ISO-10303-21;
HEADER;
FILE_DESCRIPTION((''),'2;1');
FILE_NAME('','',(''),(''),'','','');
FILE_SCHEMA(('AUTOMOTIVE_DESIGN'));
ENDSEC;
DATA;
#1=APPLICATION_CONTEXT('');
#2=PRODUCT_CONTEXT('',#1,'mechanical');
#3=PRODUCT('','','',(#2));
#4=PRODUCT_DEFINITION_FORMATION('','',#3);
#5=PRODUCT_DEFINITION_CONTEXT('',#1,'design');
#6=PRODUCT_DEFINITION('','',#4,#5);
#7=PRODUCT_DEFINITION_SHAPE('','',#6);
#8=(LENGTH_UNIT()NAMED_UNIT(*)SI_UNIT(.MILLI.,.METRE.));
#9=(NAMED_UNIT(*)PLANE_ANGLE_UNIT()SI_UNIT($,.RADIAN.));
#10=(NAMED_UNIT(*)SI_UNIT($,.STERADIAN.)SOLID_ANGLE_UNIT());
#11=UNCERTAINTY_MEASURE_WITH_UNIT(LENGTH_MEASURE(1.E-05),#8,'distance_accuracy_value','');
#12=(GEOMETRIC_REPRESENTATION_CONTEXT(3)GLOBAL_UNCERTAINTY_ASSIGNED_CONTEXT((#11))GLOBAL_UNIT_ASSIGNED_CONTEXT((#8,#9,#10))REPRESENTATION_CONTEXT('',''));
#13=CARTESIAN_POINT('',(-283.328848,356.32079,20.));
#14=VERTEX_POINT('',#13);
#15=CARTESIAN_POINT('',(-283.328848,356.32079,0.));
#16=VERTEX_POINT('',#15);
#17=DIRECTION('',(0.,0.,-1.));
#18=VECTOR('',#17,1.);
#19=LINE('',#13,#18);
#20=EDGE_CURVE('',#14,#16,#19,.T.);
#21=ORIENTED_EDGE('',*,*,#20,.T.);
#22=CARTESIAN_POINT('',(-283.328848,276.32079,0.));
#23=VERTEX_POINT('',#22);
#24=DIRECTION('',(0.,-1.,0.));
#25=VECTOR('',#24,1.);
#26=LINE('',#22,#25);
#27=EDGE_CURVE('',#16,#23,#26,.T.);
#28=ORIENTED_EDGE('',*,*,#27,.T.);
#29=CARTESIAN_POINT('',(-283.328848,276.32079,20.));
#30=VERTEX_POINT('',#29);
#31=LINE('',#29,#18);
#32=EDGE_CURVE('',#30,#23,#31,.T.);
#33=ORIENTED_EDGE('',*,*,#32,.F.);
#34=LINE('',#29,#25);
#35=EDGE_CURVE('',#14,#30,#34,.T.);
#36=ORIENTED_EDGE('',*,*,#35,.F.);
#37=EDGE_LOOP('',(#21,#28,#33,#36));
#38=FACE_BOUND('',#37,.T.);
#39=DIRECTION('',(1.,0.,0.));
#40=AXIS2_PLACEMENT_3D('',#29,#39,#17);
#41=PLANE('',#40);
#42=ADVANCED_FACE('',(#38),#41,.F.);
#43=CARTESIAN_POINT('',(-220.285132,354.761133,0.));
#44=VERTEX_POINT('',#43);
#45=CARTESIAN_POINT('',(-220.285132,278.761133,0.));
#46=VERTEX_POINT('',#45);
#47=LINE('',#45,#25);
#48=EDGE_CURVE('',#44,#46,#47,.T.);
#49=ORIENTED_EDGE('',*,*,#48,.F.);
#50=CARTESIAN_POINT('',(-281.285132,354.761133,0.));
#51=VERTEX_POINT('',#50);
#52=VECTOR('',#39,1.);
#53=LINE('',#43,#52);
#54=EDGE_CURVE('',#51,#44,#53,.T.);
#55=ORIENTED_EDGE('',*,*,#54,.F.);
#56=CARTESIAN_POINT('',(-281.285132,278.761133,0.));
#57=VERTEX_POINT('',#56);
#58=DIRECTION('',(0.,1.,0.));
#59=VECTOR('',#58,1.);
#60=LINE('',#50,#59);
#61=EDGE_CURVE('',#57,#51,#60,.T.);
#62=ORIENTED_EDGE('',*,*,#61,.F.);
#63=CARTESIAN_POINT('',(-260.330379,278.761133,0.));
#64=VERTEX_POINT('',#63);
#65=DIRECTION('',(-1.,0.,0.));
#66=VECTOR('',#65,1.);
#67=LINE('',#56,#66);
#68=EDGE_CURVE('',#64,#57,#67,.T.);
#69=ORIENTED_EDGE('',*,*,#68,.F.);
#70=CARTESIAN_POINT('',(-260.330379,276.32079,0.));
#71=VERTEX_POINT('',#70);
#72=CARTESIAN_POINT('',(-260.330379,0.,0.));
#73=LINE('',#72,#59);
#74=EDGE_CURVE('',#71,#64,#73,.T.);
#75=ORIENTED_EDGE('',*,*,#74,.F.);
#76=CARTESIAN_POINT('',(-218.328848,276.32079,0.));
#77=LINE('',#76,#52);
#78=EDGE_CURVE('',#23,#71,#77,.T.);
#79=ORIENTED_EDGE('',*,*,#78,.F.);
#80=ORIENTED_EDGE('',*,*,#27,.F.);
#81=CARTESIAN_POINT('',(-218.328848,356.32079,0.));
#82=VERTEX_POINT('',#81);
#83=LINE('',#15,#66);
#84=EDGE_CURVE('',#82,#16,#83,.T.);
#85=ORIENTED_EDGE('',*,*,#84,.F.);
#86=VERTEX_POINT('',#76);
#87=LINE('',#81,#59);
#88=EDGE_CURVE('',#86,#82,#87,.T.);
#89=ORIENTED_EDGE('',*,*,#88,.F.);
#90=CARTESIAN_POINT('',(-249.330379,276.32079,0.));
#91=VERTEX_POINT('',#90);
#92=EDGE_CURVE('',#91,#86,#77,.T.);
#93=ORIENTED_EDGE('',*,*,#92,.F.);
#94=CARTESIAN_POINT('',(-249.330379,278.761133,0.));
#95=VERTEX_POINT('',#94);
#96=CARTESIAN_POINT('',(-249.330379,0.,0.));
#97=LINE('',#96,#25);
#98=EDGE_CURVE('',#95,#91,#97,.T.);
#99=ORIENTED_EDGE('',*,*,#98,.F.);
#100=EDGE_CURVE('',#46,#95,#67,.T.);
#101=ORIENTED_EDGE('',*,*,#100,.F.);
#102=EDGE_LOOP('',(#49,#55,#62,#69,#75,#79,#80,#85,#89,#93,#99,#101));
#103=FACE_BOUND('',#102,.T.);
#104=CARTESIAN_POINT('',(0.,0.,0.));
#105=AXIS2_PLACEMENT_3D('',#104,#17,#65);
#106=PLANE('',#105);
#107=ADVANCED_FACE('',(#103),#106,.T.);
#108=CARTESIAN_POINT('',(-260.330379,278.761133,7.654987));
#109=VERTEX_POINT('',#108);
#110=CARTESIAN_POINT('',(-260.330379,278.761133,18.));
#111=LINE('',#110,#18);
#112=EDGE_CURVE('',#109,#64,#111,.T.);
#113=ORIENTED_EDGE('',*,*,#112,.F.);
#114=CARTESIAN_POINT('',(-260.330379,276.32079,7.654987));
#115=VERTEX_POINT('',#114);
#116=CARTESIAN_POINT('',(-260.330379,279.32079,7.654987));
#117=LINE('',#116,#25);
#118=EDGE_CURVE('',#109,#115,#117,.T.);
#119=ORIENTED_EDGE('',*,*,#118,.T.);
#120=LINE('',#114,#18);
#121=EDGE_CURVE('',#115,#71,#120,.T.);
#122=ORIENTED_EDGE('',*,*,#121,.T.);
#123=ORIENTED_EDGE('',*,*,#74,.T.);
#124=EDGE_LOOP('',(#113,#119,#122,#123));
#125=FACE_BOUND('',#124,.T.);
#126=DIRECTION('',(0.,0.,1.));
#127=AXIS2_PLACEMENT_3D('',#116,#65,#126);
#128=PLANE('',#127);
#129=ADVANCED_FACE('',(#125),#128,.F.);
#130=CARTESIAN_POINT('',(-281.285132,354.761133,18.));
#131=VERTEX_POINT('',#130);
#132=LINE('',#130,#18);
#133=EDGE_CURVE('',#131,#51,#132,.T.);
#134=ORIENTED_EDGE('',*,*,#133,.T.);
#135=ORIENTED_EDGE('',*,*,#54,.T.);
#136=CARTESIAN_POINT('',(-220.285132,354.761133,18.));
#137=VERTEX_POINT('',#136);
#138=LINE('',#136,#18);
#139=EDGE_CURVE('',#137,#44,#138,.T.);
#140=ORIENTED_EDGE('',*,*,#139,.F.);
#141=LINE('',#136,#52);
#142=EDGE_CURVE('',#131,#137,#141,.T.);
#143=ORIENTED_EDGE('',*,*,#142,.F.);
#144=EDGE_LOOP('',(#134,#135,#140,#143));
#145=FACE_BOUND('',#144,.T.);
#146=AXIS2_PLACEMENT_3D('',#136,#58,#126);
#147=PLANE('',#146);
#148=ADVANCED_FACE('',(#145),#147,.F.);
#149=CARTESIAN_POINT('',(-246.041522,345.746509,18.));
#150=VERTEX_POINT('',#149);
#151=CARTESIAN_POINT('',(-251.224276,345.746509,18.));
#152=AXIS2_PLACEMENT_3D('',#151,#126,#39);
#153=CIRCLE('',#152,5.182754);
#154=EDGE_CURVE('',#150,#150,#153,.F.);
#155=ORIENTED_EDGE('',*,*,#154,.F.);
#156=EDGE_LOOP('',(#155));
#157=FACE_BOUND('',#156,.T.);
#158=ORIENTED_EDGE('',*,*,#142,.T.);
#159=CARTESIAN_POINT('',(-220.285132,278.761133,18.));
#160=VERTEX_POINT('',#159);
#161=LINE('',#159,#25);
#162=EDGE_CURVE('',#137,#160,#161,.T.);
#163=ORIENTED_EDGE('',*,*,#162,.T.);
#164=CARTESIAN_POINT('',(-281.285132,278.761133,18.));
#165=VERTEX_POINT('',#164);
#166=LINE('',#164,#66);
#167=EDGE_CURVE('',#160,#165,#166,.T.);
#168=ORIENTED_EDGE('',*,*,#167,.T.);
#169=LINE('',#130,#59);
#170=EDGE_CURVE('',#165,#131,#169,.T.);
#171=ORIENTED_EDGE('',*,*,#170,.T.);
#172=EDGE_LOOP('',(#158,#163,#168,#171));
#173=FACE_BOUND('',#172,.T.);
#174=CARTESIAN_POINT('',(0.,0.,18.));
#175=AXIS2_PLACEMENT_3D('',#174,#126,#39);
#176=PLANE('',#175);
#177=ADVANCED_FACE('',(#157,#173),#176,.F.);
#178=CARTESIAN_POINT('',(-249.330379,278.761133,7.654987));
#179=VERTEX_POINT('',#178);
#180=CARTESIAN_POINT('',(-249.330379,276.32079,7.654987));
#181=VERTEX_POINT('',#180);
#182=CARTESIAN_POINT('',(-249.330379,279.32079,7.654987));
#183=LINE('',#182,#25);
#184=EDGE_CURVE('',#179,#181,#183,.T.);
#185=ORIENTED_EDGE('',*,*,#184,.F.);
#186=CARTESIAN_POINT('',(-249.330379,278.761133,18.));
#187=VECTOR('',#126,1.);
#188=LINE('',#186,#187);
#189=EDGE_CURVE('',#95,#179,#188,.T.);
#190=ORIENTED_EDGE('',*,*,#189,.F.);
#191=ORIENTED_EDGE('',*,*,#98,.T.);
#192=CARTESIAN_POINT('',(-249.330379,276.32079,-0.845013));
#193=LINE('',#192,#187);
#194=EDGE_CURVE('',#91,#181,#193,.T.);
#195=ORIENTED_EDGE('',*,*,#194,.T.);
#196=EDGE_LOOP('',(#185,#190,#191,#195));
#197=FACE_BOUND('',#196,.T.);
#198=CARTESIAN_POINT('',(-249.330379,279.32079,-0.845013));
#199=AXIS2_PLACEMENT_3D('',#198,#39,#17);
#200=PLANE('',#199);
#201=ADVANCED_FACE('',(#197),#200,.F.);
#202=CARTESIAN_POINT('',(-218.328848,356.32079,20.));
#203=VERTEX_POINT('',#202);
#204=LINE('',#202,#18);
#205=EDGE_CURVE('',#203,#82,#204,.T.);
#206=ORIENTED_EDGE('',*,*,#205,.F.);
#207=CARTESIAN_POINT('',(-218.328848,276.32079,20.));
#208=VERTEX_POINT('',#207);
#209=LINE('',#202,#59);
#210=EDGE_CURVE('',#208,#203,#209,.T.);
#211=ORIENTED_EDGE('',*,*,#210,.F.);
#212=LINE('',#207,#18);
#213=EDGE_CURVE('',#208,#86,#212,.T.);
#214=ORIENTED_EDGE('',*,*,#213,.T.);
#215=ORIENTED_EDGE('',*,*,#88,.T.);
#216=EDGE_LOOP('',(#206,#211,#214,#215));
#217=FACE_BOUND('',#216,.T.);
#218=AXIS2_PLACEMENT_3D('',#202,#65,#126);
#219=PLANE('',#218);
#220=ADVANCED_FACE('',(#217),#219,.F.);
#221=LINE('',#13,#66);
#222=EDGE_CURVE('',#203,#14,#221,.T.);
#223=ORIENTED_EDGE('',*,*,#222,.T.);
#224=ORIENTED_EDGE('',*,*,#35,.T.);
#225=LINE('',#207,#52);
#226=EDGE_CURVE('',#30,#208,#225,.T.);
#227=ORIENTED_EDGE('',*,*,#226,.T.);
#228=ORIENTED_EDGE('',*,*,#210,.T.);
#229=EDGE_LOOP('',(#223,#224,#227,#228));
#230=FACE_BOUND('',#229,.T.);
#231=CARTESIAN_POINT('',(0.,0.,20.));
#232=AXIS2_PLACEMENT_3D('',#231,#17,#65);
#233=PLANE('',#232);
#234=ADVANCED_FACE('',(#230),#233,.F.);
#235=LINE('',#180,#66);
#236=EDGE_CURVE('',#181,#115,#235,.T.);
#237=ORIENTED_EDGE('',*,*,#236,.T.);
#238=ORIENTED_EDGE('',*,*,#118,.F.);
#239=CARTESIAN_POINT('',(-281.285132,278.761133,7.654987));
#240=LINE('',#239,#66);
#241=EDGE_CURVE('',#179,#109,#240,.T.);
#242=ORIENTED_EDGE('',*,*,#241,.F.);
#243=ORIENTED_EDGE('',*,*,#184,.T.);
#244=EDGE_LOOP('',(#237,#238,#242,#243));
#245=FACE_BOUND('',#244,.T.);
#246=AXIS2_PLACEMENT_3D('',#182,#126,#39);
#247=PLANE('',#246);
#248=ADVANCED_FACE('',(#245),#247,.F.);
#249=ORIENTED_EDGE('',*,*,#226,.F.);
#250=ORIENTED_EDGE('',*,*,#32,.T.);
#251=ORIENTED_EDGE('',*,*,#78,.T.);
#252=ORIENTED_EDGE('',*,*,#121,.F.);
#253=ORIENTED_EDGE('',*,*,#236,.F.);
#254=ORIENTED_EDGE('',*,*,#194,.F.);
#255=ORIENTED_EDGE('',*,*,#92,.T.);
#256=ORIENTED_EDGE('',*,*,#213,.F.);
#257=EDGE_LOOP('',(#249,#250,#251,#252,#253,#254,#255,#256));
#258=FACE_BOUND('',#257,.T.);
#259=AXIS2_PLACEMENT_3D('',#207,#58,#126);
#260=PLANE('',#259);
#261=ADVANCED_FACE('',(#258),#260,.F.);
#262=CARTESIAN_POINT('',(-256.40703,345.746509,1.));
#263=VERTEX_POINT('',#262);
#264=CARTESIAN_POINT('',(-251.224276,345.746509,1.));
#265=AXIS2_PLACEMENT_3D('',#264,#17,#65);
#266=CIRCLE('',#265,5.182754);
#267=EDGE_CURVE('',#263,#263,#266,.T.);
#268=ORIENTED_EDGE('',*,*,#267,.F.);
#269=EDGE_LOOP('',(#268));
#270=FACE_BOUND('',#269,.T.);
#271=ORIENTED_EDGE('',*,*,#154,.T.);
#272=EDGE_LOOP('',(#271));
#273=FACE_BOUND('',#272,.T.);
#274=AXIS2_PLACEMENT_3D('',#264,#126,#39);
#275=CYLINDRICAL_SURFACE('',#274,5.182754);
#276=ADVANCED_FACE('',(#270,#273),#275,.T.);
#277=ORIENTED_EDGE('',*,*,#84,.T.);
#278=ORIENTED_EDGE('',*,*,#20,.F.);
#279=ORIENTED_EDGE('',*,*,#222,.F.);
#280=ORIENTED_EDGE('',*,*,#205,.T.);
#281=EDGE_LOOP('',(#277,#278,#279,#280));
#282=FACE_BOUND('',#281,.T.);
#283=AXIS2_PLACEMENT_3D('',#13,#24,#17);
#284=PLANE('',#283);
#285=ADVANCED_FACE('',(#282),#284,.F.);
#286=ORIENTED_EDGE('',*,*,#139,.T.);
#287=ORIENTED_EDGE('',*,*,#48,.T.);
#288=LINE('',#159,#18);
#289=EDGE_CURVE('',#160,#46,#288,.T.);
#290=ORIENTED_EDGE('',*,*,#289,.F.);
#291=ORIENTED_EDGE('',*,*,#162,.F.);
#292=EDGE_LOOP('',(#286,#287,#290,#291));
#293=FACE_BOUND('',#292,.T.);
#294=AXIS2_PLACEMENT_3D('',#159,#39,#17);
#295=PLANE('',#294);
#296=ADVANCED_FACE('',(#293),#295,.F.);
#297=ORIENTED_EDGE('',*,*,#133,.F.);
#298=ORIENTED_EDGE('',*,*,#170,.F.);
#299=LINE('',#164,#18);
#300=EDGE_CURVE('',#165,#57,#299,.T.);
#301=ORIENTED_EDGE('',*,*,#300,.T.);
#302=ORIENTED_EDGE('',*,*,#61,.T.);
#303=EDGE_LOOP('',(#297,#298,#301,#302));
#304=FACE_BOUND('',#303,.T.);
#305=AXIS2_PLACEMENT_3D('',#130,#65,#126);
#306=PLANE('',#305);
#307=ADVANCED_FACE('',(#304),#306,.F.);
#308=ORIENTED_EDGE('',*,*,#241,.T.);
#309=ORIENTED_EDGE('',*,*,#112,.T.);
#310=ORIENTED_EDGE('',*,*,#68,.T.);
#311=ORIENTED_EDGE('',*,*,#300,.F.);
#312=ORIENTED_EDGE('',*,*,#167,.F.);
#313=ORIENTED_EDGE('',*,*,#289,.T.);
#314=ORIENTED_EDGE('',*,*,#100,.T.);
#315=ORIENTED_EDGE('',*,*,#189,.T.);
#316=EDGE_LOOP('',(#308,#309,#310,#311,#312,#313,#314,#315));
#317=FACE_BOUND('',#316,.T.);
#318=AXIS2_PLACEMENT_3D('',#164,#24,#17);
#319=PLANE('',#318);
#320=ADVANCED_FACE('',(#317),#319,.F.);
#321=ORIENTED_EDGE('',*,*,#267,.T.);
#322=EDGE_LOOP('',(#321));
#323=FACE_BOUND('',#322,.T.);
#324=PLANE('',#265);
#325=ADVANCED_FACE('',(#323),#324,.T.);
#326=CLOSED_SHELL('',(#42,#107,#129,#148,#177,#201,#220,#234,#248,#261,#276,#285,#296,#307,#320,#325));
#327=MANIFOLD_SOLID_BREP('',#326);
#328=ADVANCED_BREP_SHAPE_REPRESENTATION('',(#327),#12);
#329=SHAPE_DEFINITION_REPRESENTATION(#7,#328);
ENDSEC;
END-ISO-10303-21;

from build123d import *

# Parameters (mm, degrees)
SCHIZZO1_W                   = 65
SCHIZZO1_H                   = 80
ESTRUSIONE_ESTRUSIONE3_DEPTH = 20
SCHIZZO4_W                   = 61
SCHIZZO4_H                   = 76
TAGLIO_ESTRUSIONE5_DEPTH     = 18
SCHIZZO6_W                   = 11
SCHIZZO6_H                   = 8.5
TAGLIO_ESTRUSIONE8_DEPTH     = 3
SCHIZZO7_R                   = 5.182753919
ESTRUSIONE_ESTRUSIONE6_DEPTH = 17


with BuildPart() as part:
    # Schizzo1 → Estrusione-Estrusione3 (new body)
    with BuildSketch(Plane.XY):
        with Locations((-250.828848217, 316.320789782)):
            Rectangle(SCHIZZO1_W, SCHIZZO1_H)
    extrude(amount=ESTRUSIONE_ESTRUSIONE3_DEPTH)

    # Schizzo4 → Taglio-Estrusione5 (cut)
    with BuildSketch(Plane(origin=(0, 0, 0), x_dir=(-1, 0, 0), z_dir=(0, 0, -1))):
        with Locations((250.785132486, 316.761133349)):
            Rectangle(SCHIZZO4_W, SCHIZZO4_H)
    extrude(amount=-TAGLIO_ESTRUSIONE5_DEPTH, mode=Mode.SUBTRACT)

    # Schizzo6 → Taglio-Estrusione8 (cut)
    with BuildSketch(Plane(origin=(0, 276.320789782, 0), x_dir=(-1, 0, 0), z_dir=(0, -1, 0))):
        with Locations((254.830379364, -3.404987236)):
            Rectangle(SCHIZZO6_W, SCHIZZO6_H)
    extrude(amount=-TAGLIO_ESTRUSIONE8_DEPTH, mode=Mode.SUBTRACT)

    # Schizzo7 → Estrusione-Estrusione6 (add)
    with BuildSketch(Plane(origin=(0, 0, 18), x_dir=(-1, 0, 0), z_dir=(0, 0, -1))):
        with Locations(Location((251.224275907, 345.746509499, 0), (0, 0, 180))):
            Circle(SCHIZZO7_R)
    extrude(amount=ESTRUSIONE_ESTRUSIONE6_DEPTH)


solid = part.part
